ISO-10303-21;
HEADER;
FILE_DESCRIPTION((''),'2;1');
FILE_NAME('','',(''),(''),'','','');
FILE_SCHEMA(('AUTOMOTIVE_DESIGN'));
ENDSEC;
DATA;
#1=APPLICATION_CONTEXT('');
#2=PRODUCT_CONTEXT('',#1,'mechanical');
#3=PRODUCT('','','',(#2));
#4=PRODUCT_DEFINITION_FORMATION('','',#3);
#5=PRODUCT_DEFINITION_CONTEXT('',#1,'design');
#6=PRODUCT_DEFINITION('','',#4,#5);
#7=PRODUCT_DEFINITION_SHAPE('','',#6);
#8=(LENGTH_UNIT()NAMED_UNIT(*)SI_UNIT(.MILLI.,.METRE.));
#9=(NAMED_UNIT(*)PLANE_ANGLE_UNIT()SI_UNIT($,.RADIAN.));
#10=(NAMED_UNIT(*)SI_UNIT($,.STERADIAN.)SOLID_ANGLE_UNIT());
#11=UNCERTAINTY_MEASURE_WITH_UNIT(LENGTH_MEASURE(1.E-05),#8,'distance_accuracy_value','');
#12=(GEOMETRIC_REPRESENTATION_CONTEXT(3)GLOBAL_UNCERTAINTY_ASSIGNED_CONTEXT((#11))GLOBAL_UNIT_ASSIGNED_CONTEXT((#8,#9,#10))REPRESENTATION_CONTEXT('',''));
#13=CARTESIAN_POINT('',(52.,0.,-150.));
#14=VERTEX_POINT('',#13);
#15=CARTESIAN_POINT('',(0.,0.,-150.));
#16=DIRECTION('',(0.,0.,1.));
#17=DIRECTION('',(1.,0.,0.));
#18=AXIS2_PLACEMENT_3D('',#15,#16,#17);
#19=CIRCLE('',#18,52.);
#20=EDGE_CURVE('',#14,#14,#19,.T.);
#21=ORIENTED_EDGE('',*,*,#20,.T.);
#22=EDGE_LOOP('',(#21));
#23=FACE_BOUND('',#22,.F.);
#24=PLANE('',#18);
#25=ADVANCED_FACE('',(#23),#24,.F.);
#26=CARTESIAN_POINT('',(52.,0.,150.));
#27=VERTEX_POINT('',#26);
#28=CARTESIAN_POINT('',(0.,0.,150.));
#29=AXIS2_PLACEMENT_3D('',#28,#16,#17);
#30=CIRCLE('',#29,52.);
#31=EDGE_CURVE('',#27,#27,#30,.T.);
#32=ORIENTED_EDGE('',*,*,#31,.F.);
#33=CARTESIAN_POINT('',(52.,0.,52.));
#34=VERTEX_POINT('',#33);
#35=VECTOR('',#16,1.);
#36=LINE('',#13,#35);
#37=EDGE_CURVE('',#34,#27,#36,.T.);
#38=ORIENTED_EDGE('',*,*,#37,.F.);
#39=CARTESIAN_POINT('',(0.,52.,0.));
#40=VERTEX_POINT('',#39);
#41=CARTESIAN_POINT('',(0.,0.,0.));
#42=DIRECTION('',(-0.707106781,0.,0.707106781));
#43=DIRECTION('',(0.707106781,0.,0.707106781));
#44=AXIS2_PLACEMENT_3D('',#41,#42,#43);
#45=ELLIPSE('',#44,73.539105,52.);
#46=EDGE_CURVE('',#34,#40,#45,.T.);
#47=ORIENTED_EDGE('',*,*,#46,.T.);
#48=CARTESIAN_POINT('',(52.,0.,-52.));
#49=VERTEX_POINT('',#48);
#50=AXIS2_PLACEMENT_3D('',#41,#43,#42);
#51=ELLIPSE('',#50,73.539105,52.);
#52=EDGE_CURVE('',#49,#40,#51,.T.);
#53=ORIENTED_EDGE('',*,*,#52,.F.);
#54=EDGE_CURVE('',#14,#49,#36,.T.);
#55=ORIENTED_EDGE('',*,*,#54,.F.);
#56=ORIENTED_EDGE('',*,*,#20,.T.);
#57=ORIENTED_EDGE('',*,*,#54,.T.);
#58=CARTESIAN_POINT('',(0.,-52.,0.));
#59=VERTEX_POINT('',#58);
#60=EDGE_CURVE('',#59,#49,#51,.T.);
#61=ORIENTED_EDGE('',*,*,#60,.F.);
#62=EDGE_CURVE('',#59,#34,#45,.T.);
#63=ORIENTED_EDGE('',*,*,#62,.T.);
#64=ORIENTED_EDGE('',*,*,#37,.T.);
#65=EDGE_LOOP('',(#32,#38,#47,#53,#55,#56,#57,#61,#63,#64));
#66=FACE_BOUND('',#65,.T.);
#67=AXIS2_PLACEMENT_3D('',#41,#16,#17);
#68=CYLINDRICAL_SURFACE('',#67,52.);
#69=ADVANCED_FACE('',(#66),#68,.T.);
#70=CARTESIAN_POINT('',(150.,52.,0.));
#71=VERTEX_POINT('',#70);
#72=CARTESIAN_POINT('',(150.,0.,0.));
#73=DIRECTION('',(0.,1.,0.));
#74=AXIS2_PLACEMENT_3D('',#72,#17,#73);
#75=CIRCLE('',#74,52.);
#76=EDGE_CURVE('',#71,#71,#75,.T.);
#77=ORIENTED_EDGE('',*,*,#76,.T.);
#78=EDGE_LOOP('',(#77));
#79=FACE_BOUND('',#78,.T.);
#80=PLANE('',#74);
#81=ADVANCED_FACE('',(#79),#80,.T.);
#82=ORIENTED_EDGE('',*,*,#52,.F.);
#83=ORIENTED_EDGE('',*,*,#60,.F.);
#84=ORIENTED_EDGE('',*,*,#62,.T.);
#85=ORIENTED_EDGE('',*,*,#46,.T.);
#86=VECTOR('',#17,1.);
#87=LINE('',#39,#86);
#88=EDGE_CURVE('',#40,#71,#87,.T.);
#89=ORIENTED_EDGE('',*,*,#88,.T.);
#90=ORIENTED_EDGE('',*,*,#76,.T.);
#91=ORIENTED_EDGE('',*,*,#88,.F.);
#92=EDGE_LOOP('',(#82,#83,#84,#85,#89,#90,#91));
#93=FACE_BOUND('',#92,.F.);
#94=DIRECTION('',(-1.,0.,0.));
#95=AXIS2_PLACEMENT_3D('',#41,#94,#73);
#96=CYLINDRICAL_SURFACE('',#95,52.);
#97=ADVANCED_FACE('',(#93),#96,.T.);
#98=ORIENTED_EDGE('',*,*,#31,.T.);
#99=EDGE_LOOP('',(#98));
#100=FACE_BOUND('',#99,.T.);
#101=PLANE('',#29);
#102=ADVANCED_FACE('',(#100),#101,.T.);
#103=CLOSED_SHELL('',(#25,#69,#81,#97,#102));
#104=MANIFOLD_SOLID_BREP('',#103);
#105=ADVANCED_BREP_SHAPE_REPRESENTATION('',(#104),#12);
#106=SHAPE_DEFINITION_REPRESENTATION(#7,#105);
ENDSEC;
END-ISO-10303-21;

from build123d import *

# Parameters (mm, degrees)
F0_R     = 52
F1_DEPTH = 150
F2_R     = 52
F3_DEPTH = 150


with BuildPart() as f1:
    # F0 (on Top) → F1 (new body, symmetric)
    with BuildSketch(Plane.XY):
        Circle(F0_R)
    extrude(amount=F1_DEPTH, both=True)

    # F2 (on Right) → F3 (join)
    with BuildSketch(Plane.YZ):
        Circle(F2_R)
    extrude(amount=F3_DEPTH)


solid = f1.part
